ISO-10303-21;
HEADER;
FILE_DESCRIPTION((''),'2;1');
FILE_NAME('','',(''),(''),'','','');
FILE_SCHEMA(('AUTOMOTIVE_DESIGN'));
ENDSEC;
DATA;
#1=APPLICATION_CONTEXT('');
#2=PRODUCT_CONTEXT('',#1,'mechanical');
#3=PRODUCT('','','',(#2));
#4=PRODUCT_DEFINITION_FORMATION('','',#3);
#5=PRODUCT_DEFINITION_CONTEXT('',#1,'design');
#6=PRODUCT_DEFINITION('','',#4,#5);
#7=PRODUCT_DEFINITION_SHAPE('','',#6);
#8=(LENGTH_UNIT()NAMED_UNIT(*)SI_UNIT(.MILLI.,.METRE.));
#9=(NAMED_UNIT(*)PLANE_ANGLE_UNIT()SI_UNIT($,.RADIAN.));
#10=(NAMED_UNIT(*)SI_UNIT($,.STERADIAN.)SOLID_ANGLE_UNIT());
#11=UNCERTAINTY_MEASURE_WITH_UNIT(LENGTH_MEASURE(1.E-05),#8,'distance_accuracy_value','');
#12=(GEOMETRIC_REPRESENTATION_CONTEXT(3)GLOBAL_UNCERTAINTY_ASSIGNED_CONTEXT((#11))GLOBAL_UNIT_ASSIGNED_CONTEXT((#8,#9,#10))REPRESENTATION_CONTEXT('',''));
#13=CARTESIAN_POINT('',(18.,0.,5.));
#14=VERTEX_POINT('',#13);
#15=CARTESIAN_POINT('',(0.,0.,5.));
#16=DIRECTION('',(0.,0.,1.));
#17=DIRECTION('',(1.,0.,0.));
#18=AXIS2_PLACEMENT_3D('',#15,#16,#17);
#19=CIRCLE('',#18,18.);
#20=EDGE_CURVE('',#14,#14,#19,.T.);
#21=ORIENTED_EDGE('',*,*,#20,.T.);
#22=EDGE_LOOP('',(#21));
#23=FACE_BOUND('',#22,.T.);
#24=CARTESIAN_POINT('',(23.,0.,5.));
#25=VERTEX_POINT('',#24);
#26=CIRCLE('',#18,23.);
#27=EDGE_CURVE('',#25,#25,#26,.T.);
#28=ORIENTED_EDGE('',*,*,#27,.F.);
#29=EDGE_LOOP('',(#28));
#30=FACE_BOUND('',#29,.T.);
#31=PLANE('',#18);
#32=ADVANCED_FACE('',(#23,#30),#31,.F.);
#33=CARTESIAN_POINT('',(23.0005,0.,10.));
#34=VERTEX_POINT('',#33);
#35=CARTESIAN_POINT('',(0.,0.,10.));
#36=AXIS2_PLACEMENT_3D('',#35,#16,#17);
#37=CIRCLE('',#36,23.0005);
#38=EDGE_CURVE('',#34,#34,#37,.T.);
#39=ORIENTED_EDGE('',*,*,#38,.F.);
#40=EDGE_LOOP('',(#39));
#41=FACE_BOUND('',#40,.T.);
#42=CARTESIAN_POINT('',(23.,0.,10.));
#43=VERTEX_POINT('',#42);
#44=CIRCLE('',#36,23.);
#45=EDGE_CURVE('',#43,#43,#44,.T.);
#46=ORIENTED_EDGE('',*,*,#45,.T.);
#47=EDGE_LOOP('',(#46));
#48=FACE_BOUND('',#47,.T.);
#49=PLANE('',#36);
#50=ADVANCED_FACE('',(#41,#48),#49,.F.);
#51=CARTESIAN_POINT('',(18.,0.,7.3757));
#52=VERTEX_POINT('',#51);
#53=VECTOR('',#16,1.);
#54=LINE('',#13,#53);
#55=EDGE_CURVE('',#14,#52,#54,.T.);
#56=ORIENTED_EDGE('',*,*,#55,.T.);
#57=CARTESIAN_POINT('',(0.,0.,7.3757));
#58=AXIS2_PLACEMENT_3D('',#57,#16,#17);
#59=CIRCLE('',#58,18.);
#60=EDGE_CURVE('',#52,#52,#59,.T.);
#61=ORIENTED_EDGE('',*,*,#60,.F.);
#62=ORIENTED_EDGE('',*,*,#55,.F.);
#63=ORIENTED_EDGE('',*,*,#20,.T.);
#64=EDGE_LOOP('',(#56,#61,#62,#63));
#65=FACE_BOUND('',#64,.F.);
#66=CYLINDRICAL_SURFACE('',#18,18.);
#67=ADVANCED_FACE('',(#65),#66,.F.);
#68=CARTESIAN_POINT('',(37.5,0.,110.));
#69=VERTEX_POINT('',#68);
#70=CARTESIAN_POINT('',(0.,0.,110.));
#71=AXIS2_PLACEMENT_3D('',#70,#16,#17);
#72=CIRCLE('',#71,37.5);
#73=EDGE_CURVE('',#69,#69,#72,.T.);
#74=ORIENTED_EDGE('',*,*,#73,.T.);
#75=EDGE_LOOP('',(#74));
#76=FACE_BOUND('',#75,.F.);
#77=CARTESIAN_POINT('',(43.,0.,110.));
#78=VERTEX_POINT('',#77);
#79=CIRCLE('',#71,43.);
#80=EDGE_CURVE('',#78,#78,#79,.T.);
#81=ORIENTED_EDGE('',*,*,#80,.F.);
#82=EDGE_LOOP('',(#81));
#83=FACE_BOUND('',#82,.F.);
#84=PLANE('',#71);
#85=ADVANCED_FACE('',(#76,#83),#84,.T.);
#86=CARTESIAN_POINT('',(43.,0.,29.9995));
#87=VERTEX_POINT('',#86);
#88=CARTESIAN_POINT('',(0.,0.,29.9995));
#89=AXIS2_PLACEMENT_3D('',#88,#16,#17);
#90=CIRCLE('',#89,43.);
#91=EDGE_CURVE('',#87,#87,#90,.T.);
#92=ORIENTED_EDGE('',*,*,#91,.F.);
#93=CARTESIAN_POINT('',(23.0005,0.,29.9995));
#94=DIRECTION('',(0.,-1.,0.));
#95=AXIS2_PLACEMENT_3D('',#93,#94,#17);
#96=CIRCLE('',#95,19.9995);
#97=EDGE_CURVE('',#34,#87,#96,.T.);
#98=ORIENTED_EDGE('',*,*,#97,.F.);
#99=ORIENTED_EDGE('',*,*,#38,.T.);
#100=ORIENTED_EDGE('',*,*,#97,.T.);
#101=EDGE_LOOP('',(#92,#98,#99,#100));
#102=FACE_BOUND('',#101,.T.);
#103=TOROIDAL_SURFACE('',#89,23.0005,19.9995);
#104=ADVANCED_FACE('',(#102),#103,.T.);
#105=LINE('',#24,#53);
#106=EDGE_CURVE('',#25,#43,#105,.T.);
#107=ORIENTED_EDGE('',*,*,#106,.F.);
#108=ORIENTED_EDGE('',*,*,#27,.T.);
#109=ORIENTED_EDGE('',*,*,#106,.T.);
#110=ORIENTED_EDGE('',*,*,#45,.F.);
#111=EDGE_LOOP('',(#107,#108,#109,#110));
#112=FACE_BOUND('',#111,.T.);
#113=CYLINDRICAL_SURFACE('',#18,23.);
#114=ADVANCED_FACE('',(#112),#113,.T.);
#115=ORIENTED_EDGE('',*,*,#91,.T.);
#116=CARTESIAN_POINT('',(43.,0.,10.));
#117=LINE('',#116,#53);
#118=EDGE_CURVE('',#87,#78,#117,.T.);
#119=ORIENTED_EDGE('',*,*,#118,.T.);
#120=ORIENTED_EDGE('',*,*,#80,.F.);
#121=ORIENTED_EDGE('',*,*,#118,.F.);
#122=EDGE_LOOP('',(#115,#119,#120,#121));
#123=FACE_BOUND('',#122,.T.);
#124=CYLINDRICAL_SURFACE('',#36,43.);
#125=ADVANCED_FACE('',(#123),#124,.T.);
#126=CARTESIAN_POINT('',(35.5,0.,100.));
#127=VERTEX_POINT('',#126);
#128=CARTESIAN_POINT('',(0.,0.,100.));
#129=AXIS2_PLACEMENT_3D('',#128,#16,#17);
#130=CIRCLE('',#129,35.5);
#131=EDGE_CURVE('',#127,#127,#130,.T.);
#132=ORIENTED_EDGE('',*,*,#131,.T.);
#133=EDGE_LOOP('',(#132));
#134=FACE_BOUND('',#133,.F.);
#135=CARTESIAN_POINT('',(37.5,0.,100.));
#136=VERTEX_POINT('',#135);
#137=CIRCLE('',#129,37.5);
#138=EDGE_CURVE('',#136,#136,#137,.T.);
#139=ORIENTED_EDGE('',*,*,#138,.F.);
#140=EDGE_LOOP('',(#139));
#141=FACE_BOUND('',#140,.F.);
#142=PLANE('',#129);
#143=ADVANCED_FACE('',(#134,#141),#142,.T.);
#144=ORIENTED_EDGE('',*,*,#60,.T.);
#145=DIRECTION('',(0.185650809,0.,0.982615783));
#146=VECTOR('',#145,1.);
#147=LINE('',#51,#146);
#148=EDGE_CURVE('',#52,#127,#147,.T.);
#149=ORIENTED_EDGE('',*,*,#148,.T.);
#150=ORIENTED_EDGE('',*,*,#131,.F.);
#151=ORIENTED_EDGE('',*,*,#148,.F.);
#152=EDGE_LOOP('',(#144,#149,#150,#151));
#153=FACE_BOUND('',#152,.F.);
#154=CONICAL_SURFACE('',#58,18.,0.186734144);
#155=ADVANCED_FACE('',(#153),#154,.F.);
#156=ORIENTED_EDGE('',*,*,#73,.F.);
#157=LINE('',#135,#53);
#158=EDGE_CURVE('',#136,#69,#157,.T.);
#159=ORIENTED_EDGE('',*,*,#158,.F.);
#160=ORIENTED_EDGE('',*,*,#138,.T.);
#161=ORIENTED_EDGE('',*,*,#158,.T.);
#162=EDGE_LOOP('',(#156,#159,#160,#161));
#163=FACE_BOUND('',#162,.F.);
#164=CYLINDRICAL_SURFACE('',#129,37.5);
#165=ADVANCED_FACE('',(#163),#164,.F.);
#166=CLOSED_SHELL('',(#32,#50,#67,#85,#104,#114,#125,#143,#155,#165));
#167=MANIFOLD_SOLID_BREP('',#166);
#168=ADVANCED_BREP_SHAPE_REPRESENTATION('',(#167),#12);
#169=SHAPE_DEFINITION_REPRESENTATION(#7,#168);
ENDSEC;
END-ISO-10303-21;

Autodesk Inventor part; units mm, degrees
ref_plane "YZ Plane" through (0, 0, 0) normal (1, 0, 0) x (0, 1, 0)
ref_plane "XZ Plane" through (0, 0, 0) normal (0, 1, 0) x (-1, 0, 0)
ref_plane "XY Plane" through (0, 0, 0) normal (0, 0, 1) x (1, 0, 0)
sketch "Esquisse2" plane through (0, 0, 0) normal (0, 1, 0) x (-1, 0, 0)
  line L0 (0, 0) -> (0, 53.3255)
  line L1 (-18, 5) -> (-23, 5)
  line L2 (-23, 5) -> (-23, 10)
  line L3 (8.6, 0) -> (-51.6, 0) construction
  line L4 (-18, 5) -> (-18, 7.3757)
  line L5 (-35.5, 100) -> (-37.5, 100)
  line L6 (-37.5, 100) -> (-37.5, 110)
  line L7 (-37.5, 110) -> (-43, 110)
  line L8 (-23, 10) -> (-43, 10)
  line L9 (-43, 10) -> (-43, 110)
  line L10 (-18, 7.3757) -> (-35.5, 100)
  dimension "d0" = 46
  dimension "d4" = 75
  dimension "d6" = 86
  dimension "d7" = 100
  dimension "d8" = 10
  dimension "d9" = 5
  dimension "d10" = 2
  dimension "d11" = 90
  dimension "d14" = 10
  dimension "d20" = 36
  dimension "d21" = 92.6244
revolve "Révolution1" add sketch "Esquisse2" angle 360 about axis through (0, 0, 0) along (0, 0, 1)
fillet "Congé1" radius 20 1 edges at (-43, 0, 10)
properties part number "P015_CanonAdaptateurReservoirv2"
